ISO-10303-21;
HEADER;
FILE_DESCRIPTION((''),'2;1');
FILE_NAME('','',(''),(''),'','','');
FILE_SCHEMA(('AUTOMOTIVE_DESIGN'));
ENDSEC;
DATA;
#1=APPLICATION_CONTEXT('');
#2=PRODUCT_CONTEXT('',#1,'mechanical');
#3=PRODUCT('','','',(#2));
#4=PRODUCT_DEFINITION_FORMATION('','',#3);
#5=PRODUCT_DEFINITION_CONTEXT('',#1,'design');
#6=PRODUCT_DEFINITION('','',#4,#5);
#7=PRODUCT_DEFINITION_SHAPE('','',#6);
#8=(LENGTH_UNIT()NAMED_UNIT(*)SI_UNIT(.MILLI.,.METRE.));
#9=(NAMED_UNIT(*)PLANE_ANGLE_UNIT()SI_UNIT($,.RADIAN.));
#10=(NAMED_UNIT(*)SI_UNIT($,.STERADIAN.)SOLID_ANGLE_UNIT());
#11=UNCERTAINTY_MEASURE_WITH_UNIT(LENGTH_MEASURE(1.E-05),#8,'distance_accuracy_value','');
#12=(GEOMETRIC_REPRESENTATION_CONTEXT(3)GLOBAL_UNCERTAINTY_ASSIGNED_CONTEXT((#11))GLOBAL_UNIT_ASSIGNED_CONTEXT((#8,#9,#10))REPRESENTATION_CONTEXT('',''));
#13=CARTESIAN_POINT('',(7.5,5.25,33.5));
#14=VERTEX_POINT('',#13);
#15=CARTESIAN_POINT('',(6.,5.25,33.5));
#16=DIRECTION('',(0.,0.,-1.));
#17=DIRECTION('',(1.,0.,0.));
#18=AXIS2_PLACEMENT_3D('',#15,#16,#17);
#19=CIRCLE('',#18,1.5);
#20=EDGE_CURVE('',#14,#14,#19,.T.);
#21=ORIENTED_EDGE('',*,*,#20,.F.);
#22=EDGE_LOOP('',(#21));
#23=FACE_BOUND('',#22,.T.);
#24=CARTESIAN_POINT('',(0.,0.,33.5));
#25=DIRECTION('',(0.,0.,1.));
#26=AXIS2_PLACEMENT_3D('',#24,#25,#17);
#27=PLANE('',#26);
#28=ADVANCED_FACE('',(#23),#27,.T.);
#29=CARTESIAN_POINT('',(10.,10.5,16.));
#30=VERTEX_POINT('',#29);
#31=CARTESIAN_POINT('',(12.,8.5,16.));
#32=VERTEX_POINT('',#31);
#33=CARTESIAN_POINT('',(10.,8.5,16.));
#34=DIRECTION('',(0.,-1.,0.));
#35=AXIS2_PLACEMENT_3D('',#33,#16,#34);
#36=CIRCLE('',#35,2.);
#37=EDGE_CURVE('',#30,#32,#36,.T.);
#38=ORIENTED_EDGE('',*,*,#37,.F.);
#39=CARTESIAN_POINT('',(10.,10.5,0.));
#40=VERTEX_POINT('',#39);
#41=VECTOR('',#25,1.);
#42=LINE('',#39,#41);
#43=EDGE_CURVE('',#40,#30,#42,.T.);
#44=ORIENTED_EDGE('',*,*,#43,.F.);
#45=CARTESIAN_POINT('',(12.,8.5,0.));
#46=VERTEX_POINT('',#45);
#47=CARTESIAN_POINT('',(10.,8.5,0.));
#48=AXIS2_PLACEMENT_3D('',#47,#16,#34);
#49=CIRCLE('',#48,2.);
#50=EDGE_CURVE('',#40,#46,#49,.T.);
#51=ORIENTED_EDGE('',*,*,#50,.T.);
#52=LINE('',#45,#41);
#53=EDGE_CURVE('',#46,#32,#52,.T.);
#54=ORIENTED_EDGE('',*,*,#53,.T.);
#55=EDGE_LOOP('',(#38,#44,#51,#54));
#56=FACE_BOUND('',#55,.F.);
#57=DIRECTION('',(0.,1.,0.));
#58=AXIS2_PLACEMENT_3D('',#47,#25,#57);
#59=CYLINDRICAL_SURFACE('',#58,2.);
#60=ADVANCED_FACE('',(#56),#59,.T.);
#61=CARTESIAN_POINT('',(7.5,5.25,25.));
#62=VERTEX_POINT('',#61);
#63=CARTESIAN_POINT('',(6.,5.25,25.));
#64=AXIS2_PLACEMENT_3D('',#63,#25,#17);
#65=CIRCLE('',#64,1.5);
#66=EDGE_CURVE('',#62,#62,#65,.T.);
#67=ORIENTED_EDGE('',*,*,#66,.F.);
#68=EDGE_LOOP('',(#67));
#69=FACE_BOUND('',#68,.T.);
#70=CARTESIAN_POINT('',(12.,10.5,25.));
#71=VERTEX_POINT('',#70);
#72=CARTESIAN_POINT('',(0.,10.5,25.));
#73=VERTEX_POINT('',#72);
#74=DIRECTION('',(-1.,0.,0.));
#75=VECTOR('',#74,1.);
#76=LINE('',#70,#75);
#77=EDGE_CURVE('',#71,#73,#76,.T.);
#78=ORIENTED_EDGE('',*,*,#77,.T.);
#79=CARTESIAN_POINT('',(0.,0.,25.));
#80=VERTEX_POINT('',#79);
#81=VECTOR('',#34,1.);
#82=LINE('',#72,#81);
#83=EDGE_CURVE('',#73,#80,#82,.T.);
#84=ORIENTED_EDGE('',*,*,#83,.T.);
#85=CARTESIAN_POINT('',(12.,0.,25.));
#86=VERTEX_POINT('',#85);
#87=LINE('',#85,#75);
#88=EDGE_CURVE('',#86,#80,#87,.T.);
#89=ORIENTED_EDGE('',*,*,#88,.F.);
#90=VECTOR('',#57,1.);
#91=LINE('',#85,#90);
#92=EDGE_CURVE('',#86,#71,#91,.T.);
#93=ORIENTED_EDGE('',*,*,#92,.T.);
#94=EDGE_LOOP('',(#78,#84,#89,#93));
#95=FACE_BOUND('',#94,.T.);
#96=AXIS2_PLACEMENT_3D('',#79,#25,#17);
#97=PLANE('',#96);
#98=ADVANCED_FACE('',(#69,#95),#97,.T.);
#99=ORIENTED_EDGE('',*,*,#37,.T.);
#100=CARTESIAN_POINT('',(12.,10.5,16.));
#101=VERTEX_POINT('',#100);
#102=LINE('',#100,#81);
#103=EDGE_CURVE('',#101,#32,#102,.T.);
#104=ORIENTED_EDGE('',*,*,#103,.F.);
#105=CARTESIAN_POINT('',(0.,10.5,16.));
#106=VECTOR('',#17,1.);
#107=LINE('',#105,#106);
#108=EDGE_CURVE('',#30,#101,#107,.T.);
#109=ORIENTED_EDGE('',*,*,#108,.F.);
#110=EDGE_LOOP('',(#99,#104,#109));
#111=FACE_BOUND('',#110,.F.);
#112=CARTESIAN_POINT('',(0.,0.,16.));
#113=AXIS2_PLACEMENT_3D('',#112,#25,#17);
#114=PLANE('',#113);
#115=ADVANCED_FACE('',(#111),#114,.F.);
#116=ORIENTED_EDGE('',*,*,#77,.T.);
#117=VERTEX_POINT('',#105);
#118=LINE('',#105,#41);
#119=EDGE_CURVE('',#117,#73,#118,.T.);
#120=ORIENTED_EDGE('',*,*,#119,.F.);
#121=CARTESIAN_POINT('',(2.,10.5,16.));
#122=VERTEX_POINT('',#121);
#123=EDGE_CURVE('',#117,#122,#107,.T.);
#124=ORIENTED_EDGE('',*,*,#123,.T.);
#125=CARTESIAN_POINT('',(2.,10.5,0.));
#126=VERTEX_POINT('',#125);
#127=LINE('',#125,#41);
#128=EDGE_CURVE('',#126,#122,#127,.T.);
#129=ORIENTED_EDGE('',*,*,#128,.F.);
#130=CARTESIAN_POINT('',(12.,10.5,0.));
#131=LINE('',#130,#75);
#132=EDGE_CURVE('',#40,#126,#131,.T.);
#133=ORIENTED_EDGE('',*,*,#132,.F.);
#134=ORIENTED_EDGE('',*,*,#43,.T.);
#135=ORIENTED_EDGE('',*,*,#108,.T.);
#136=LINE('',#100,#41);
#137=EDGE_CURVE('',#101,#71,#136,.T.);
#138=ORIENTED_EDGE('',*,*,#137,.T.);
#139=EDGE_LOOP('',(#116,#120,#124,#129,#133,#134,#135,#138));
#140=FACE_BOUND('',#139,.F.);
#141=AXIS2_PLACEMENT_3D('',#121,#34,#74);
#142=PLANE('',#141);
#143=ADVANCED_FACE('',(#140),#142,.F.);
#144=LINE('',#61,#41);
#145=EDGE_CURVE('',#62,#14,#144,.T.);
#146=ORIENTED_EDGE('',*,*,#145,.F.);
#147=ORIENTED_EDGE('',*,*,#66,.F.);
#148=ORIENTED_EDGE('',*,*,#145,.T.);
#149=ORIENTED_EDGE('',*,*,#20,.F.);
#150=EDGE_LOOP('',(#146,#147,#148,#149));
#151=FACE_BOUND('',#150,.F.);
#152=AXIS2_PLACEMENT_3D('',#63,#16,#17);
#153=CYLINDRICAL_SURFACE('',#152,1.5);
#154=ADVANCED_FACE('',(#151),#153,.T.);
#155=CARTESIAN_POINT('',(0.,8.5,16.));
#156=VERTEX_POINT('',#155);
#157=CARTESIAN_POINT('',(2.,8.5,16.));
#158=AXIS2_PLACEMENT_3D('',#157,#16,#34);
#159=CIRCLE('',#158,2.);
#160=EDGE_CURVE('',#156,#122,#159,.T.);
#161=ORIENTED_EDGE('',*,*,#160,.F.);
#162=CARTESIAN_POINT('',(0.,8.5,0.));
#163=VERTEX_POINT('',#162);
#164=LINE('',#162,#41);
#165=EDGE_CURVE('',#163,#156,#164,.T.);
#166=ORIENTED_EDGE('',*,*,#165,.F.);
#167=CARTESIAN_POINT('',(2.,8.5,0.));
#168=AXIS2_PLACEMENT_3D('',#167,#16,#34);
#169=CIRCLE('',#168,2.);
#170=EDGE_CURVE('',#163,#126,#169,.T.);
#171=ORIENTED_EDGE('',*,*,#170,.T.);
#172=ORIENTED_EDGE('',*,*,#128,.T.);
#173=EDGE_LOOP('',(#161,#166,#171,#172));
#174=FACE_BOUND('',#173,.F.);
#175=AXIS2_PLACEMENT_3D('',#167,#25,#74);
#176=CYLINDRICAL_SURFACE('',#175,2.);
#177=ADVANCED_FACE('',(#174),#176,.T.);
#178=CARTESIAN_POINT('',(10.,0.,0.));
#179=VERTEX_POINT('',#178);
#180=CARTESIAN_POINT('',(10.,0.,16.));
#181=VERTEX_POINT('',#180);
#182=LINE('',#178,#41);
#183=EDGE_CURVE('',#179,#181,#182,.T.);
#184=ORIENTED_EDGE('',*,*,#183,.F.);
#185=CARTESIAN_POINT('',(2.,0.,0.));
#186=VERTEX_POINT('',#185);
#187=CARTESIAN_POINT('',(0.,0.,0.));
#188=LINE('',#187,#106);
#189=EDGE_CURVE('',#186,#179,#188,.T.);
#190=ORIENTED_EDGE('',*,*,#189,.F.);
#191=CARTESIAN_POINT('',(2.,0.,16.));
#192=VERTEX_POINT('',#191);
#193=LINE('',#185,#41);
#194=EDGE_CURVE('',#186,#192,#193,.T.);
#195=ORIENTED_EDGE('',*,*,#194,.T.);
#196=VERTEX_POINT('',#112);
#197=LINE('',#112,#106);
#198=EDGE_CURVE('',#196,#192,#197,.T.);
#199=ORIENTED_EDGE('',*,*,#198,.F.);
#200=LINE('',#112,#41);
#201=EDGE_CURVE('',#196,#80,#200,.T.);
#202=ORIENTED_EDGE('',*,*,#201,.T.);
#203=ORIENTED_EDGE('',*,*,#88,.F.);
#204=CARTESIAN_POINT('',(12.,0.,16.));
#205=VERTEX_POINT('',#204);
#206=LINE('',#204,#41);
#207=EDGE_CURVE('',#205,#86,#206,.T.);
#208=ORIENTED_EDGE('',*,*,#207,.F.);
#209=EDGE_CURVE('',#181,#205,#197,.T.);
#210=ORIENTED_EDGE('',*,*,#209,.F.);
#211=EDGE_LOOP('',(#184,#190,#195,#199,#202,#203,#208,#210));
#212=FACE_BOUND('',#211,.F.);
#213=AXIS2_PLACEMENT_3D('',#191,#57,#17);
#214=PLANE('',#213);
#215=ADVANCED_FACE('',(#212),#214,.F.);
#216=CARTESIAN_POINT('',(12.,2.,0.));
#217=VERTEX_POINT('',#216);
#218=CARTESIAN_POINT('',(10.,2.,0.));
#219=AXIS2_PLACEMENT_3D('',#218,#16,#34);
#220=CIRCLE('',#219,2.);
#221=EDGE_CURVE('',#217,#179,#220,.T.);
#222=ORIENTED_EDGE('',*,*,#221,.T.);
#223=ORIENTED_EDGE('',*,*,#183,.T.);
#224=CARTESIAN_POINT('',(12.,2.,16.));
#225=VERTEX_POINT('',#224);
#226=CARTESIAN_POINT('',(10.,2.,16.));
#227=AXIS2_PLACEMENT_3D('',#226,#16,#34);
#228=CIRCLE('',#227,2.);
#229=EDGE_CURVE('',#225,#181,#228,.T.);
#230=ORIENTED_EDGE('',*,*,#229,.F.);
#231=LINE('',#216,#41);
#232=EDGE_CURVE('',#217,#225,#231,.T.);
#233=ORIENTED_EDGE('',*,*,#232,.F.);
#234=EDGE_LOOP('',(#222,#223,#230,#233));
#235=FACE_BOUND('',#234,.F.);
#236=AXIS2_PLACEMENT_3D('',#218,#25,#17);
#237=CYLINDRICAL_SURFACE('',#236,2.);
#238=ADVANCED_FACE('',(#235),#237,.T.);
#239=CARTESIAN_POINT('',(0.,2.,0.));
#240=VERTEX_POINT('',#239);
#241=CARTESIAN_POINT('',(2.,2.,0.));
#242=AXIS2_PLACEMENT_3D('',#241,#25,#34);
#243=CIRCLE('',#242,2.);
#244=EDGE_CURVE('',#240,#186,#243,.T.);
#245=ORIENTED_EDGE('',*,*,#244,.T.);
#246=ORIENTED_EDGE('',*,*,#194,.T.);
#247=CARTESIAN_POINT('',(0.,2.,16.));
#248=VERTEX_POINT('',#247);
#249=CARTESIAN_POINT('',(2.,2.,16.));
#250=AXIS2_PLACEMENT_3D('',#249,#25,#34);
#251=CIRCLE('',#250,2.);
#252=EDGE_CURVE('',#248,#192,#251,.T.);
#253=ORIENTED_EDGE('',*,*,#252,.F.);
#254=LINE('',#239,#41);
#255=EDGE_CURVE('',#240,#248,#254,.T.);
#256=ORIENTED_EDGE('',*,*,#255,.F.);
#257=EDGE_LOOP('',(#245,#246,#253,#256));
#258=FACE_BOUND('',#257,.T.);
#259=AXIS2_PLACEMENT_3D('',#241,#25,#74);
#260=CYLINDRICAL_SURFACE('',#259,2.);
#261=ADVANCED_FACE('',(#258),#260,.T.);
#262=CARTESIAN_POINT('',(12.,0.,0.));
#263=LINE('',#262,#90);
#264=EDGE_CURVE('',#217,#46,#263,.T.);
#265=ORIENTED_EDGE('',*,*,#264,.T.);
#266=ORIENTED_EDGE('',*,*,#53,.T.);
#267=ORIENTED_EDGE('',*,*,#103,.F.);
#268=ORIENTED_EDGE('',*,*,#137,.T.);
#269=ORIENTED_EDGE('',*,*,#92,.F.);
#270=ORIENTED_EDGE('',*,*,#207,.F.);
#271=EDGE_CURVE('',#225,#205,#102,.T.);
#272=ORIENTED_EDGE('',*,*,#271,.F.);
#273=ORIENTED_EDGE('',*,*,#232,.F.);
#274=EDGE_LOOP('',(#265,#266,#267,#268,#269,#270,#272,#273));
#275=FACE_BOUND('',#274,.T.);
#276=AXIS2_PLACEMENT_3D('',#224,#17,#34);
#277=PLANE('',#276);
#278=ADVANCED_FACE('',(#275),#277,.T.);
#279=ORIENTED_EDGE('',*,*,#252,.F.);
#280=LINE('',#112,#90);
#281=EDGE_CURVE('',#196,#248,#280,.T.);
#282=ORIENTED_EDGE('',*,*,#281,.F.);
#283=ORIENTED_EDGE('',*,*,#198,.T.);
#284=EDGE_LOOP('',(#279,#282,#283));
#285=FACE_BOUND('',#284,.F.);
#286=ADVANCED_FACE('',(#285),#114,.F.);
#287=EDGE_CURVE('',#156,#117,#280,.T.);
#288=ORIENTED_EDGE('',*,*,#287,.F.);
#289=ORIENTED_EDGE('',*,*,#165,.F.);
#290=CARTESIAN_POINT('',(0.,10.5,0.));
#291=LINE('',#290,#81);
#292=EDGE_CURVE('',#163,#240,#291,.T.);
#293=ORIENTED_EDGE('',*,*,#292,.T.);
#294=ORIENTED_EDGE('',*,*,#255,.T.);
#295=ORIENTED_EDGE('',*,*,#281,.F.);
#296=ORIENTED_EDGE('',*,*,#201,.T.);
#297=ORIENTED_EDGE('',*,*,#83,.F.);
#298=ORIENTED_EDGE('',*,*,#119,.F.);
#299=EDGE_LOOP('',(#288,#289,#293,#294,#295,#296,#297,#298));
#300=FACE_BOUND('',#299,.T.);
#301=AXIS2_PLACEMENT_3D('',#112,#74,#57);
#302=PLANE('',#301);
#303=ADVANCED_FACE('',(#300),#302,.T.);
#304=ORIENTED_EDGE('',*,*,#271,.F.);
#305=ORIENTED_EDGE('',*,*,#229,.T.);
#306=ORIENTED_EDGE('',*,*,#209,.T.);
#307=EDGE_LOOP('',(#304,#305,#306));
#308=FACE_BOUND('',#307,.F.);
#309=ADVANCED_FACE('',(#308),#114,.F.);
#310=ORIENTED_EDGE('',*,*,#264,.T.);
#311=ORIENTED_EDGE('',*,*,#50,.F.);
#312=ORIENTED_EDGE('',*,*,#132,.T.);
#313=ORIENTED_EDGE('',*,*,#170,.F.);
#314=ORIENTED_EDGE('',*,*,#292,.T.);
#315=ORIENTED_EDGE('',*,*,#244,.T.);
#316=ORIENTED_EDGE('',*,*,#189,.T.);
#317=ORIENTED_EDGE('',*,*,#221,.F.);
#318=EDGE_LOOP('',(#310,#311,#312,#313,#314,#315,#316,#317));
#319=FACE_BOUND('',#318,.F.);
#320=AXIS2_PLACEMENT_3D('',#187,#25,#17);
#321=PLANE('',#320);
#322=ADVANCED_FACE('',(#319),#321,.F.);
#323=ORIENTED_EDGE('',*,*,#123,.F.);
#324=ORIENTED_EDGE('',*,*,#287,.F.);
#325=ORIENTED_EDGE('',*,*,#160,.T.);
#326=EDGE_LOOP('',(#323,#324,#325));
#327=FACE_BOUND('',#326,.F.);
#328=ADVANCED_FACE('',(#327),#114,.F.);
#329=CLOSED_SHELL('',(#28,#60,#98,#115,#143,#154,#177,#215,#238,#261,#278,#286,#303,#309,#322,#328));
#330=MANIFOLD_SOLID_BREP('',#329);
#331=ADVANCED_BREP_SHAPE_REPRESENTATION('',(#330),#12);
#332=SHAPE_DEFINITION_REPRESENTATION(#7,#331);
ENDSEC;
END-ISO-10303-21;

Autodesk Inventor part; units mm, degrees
ref_plane "YZ Plane" through (0, 0, 0) normal (1, 0, 0) x (0, 1, 0)
ref_plane "XZ Plane" through (0, 0, 0) normal (0, 1, 0) x (-1, 0, 0)
ref_plane "XY Plane" through (0, 0, 0) normal (0, 0, 1) x (1, 0, 0)
sketch "Sketch1" plane through (0, 0, 0) normal (0, 0, 1) x (1, 0, 0)
  line L0 (0, 0) -> (12, 0)
  line L1 (12, 0) -> (12, 10.5)
  line L2 (12, 10.5) -> (0, 10.5)
  line L3 (0, 10.5) -> (0, 0)
  dimension "d0" = 12
  dimension "d2" = 10.5
extrude "Extrusion1" add sketch "Sketch1" along normal blind 16
fillet "Fillet1" radius 2 4 edges at (12, 10.5, 8) (0, 10.5, 8) (12, 0, 8) (0, 0, 8)
sketch "Sketch2" plane through (0, 0, 16) normal (0, 0, 1) x (1, 0, 0)
  line L0 (12, 2) -> (12, 8.5) projected
  line L1 (10, 10.5) -> (2, 10.5) projected
  line L2 (0, 8.5) -> (0, 2) projected
  line L3 (2, 0) -> (10, 0) projected
  arc A0 (12, 8.5) -> (10, 10.5) centre (10, 8.5) ccw projected
  line L4 (12, 8.5) -> (12, 10.5)
  line L5 (12, 10.5) -> (10, 10.5)
  line L6 (2, 10.5) -> (0, 10.5)
  line L7 (0, 10.5) -> (0, 8.5)
  arc A1 (0, 2) -> (2, 0) centre (2, 2) ccw projected
  line L8 (2, 0) -> (0, 0)
  line L9 (0, 0) -> (2, 0)
  line L10 (12, 2) -> (12, 0)
  arc A2 (10, 0) -> (12, 2) centre (10, 2) ccw projected
  line L11 (12, 0) -> (10, 0)
  line L12 (0, 0) -> (0, 2)
extrude "Extrusion2" add sketch "Sketch2" along normal blind 9
sketch "Sketch3" plane through (0, 0, 25) normal (0, 0, 1) x (1, 0, 0)
  line L0 (10, 10.5) -> (2, 10.5) projected
  line L1 (6, 10.5) -> (6, 0)
  line L2 (2, 0) -> (10, 0) projected
  circle A0 centre (6, 5.25) radius 1.5
  point P0 (0, 0)
  dimension "d8" = 3
extrude "Extrusion3" add sketch "Sketch3" along normal blind 8.5
properties part number "MicroMotor"
